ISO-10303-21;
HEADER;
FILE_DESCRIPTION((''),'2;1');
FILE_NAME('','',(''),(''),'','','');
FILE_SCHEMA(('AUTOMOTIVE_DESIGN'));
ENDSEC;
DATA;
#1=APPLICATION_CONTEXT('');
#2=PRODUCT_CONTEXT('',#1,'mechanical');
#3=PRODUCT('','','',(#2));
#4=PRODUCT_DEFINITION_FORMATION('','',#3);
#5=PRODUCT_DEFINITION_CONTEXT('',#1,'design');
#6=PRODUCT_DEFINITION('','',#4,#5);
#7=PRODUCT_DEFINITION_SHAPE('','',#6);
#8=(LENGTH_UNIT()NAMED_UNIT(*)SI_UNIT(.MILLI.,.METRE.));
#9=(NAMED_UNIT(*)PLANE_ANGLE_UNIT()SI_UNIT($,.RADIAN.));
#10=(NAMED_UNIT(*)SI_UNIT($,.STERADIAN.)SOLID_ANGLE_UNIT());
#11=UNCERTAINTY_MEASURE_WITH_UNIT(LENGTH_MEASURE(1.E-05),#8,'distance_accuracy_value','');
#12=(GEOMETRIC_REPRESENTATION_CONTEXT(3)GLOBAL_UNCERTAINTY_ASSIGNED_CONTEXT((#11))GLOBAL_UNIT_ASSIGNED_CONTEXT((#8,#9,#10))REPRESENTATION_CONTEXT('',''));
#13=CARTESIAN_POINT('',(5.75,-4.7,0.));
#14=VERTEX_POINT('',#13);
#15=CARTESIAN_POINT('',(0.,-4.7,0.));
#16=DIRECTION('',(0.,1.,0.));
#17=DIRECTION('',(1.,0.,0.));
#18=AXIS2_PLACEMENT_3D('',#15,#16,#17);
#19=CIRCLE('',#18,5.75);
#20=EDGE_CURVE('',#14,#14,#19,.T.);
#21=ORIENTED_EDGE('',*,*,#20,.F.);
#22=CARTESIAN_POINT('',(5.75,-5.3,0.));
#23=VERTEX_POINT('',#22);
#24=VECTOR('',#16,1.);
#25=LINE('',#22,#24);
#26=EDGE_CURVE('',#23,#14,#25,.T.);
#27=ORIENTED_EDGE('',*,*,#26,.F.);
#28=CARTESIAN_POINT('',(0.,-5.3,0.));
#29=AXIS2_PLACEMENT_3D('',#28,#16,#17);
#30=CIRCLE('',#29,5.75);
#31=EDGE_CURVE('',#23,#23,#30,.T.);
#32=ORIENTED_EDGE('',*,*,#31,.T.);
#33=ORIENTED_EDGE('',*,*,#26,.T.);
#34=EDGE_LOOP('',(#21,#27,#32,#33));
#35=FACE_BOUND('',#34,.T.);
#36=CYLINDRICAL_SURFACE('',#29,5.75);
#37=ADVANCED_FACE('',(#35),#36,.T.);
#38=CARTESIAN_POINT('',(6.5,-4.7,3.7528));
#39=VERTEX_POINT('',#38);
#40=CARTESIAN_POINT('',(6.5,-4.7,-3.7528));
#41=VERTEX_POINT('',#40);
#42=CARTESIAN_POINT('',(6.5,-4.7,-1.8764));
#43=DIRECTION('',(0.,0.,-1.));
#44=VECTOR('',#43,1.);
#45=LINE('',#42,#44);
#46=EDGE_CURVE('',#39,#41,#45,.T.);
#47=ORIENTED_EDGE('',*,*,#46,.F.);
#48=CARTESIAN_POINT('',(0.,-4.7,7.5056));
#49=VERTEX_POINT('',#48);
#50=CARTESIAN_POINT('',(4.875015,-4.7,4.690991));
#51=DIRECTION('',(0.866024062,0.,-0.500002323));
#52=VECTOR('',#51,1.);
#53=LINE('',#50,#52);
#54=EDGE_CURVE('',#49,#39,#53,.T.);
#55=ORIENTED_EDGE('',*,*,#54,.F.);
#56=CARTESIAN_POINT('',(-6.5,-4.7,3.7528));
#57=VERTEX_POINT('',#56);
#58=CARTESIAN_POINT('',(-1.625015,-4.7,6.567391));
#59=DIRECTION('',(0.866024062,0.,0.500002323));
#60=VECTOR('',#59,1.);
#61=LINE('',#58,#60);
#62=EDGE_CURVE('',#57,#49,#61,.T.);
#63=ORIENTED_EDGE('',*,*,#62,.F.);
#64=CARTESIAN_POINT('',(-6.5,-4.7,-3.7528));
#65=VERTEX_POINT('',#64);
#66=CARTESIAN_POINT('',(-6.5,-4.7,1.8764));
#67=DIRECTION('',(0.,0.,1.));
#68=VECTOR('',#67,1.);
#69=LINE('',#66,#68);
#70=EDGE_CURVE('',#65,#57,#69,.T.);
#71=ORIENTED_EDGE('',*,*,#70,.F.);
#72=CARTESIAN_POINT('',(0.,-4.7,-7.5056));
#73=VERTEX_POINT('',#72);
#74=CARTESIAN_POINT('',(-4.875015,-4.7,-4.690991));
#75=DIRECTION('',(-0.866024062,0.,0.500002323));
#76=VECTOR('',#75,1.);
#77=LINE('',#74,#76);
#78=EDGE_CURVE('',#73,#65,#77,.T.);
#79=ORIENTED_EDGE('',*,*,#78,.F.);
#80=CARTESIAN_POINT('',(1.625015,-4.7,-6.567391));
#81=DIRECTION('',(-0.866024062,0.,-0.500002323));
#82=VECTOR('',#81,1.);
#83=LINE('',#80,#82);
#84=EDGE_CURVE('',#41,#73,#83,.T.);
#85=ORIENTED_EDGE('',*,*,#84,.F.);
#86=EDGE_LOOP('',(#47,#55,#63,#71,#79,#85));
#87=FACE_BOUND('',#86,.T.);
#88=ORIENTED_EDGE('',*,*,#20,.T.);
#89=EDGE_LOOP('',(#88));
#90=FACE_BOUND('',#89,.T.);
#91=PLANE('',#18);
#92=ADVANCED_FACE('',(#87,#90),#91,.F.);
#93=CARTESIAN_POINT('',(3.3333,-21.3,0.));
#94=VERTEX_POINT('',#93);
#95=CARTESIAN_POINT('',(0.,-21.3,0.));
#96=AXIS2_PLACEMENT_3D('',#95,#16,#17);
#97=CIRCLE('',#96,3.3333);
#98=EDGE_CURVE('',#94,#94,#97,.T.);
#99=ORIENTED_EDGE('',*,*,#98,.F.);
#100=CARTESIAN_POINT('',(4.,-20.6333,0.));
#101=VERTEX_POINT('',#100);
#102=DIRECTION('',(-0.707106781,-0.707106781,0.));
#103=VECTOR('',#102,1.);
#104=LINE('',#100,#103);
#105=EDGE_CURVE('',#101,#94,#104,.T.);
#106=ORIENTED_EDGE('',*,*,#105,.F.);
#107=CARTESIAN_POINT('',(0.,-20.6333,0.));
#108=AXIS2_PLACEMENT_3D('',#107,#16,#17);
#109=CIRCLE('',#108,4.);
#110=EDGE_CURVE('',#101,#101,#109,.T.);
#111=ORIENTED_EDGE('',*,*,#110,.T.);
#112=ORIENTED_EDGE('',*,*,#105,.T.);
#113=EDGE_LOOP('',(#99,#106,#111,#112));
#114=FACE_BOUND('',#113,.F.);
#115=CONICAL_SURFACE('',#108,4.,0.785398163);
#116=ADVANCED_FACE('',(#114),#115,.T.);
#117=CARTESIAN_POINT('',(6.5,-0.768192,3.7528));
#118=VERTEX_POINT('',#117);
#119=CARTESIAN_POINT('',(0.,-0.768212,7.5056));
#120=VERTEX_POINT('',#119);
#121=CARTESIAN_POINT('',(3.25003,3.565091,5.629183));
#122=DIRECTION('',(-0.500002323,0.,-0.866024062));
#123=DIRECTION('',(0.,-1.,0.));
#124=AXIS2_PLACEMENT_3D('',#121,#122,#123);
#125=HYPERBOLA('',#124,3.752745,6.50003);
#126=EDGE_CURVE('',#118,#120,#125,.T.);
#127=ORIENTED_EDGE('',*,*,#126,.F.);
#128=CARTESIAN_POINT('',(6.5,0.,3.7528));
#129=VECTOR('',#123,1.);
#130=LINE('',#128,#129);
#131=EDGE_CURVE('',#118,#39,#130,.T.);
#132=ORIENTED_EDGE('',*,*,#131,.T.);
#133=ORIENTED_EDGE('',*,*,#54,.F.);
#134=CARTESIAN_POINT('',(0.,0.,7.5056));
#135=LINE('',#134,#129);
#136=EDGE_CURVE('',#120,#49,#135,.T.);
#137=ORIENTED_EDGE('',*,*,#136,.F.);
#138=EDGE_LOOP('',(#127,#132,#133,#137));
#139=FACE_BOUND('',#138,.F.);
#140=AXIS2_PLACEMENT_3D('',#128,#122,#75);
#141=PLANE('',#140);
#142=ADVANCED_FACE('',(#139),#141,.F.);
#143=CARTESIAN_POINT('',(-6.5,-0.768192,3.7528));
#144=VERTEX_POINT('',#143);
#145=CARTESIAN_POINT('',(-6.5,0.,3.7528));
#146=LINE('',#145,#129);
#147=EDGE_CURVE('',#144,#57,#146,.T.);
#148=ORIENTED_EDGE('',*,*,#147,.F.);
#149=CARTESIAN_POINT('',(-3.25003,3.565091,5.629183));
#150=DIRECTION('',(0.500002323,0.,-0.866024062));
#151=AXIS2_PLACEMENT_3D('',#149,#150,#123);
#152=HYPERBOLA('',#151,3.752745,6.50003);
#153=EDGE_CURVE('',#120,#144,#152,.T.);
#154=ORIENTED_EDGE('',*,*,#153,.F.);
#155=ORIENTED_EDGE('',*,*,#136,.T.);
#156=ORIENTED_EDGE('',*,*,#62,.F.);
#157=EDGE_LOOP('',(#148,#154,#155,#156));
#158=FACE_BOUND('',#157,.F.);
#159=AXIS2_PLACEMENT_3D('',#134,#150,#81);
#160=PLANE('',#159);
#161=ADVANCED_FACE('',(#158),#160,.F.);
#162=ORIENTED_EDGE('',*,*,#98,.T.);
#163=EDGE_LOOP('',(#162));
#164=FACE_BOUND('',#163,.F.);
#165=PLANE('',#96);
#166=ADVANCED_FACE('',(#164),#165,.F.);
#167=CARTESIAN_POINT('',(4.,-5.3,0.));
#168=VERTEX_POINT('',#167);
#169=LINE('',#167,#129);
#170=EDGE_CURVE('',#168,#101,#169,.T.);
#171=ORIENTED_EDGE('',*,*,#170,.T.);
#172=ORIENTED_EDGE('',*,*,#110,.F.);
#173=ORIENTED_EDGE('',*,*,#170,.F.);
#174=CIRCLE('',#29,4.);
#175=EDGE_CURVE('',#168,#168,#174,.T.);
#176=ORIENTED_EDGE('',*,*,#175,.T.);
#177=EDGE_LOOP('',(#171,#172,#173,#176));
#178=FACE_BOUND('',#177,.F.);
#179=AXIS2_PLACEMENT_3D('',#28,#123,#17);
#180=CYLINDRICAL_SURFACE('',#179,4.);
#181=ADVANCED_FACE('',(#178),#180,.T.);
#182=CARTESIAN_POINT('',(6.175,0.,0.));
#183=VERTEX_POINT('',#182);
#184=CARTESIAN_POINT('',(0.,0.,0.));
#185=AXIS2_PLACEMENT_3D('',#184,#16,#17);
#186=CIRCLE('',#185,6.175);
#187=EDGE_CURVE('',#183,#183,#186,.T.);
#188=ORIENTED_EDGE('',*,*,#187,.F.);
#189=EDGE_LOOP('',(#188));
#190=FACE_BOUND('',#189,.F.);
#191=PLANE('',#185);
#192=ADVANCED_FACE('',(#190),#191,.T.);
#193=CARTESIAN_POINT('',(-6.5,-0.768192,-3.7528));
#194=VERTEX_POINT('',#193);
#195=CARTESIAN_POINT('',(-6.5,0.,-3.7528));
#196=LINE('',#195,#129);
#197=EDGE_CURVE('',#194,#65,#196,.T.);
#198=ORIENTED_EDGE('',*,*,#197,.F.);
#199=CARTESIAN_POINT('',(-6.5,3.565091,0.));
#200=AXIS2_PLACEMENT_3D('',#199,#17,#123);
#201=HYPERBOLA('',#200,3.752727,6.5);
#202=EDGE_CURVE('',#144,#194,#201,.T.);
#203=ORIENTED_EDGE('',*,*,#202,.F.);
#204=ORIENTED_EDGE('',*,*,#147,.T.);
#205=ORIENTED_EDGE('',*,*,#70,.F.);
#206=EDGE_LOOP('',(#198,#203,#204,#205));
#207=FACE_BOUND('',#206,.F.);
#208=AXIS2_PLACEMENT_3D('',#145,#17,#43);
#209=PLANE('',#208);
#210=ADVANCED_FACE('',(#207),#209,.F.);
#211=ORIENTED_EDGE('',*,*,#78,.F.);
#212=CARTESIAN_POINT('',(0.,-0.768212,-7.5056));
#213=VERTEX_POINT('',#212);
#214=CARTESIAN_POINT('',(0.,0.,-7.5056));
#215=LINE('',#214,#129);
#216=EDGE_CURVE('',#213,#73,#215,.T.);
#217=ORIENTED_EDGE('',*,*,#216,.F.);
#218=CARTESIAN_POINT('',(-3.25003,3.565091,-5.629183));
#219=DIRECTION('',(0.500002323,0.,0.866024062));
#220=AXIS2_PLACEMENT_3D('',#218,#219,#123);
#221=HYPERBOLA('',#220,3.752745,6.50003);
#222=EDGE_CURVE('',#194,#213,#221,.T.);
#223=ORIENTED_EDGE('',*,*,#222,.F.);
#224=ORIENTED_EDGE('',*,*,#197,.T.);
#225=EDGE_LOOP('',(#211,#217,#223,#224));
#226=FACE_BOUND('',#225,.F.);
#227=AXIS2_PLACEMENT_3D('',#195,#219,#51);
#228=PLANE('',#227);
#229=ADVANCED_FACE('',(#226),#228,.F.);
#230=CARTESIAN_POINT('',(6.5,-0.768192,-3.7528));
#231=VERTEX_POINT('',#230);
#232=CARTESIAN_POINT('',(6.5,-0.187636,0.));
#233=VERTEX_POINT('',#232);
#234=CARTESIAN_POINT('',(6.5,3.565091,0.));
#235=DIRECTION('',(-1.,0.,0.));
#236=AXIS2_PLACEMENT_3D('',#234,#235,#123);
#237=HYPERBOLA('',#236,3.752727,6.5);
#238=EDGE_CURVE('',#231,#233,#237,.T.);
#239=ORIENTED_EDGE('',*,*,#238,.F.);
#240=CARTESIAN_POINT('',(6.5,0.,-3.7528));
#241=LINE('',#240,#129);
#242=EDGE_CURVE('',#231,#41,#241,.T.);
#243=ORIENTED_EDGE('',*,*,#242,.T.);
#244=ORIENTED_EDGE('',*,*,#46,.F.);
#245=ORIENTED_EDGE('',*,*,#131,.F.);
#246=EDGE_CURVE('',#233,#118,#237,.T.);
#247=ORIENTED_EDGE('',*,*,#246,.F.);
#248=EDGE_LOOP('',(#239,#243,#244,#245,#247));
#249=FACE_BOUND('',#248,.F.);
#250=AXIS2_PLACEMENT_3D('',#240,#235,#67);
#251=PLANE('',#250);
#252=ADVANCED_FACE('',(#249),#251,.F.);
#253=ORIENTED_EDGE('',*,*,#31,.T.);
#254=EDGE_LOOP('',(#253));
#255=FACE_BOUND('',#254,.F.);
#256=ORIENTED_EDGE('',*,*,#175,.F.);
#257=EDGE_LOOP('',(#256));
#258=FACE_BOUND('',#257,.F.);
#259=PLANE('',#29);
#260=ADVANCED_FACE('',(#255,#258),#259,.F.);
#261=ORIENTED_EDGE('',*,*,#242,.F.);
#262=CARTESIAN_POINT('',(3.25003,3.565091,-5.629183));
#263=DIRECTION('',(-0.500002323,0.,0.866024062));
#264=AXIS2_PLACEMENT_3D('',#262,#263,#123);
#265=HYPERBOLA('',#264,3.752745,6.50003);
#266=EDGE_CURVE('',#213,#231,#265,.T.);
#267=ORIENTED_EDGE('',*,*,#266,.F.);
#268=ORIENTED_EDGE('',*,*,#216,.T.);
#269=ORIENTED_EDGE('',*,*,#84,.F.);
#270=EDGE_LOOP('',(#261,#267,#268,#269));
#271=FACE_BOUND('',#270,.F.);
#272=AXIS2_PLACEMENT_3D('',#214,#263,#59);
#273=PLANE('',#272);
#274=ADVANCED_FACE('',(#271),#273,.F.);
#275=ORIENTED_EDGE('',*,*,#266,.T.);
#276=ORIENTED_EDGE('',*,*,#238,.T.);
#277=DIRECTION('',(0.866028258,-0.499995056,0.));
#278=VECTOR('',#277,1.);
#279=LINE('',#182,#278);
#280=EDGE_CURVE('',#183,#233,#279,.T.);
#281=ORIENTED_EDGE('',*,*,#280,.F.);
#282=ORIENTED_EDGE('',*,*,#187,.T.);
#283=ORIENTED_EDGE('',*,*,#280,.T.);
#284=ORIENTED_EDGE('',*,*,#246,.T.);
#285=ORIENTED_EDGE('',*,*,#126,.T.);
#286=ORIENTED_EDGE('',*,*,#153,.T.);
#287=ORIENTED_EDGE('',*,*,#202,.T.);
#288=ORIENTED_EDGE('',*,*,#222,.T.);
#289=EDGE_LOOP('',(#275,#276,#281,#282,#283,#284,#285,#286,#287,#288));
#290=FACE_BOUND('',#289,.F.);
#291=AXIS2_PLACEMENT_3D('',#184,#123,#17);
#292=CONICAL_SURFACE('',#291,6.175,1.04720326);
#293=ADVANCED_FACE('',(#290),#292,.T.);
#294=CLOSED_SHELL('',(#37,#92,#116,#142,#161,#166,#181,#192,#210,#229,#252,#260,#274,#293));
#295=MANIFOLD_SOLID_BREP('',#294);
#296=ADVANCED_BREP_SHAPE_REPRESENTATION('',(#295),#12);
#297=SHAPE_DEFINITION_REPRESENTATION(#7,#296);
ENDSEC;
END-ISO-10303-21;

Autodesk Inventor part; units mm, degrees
ref_plane "YZ Plane" through (0, 0, 0) normal (1, 0, 0) x (0, 1, 0)
ref_plane "XZ Plane" through (0, 0, 0) normal (0, 1, 0) x (-1, 0, 0)
ref_plane "XY Plane" through (0, 0, 0) normal (0, 0, 1) x (1, 0, 0)
sketch "Sketch1" plane through (0, 0, 0) normal (0, 0, 1) x (1, 0, 0)
  line L0 (0, 0) -> (6.175, 0)
  line L1 (9.75, -2.064) -> (9.75, -4.7)
  line L2 (5.75, -5.3) -> (4, -5.3)
  line L3 (4, -5.3) -> (4, -21.3)
  line L4 (4, -21.3) -> (0, -21.3)
  line L5 (0, -21.3) -> (0, 0)
  line L6 (5.75, -5.3) -> (5.75, -4.7)
  line L7 (5.75, -4.7) -> (9.75, -4.7)
  line L8 (6.175, 0) -> (9.75, -2.064)
  dimension "d0" = 19.5
  dimension "d1" = 8
  dimension "d3" = 16
  dimension "d4" = 11.5
  dimension "d5" = 0.6
  dimension "d22" = 30
  dimension "d23" = 12.35
  dimension "d24" = 5.3
revolve "Revolution1" add sketch "Sketch1" angle 360 about axis through (0, -21.3, 0) along (0, 1, 0)
sketch "Sketch2" plane through (0, 0, 0) normal (0, 1, 0) x (1, 0, 0)
  line L0 (0, -7.5056) -> (-6.5, -3.7528)
  line L1 (-6.5, -3.7528) -> (-6.5, 3.7528)
  line L2 (-6.5, 3.7528) -> (0, 7.5056)
  line L3 (0, 7.5056) -> (6.5, 3.7528)
  line L4 (6.5, 3.7528) -> (6.5, -3.7528)
  line L5 (6.5, -3.7528) -> (0, -7.5056)
  circle A0 centre (0, 0) radius 9.75 projected
  point P0 (0, 0)
  point P1 (0, 0)
  dimension "d25" = 13
extrude "Extrusion1" cut sketch "Sketch2" against normal blind 5.3
thread "Thread1" size "M8x1.25" class "6g" standard "ISO Metric profile" length 15
chamfer "Chamfer1" distance 0.6667 angle 45 1 edges at (-4, -21.3, 0)
equation "\"d0\" = 1.5 * S_"
equation "\"d1\" = d1_"
equation "\"d3\" = L"
equation "\"d4\" = dw"
equation "\"d5\" = hw"
equation "\"d23\" = 0.95 * S_"
equation "\"d24\" = k"
equation "\"d14\" = b"
equation "\"d16\" = 0.0833333 * d"
equation "\"d25\" = S_"
equation "\"d26\" = k"
equation "\"d\" = 8"
equation "\"d1_\" = 8"
equation "\"S_\" = 13"
equation "\"k\" = 5.3"
equation "\"e\" = 14.2"
equation "\"L\" = 16"
equation "\"b\" = 15"
equation "\"Grip_Length\" = 1"
equation "\"dw\" = 11.5"
equation "\"hw\" = 0.6"
properties part number "Bolt A M8-6g×16(S13) GOST 7798-70" material "Steel, Mild"
